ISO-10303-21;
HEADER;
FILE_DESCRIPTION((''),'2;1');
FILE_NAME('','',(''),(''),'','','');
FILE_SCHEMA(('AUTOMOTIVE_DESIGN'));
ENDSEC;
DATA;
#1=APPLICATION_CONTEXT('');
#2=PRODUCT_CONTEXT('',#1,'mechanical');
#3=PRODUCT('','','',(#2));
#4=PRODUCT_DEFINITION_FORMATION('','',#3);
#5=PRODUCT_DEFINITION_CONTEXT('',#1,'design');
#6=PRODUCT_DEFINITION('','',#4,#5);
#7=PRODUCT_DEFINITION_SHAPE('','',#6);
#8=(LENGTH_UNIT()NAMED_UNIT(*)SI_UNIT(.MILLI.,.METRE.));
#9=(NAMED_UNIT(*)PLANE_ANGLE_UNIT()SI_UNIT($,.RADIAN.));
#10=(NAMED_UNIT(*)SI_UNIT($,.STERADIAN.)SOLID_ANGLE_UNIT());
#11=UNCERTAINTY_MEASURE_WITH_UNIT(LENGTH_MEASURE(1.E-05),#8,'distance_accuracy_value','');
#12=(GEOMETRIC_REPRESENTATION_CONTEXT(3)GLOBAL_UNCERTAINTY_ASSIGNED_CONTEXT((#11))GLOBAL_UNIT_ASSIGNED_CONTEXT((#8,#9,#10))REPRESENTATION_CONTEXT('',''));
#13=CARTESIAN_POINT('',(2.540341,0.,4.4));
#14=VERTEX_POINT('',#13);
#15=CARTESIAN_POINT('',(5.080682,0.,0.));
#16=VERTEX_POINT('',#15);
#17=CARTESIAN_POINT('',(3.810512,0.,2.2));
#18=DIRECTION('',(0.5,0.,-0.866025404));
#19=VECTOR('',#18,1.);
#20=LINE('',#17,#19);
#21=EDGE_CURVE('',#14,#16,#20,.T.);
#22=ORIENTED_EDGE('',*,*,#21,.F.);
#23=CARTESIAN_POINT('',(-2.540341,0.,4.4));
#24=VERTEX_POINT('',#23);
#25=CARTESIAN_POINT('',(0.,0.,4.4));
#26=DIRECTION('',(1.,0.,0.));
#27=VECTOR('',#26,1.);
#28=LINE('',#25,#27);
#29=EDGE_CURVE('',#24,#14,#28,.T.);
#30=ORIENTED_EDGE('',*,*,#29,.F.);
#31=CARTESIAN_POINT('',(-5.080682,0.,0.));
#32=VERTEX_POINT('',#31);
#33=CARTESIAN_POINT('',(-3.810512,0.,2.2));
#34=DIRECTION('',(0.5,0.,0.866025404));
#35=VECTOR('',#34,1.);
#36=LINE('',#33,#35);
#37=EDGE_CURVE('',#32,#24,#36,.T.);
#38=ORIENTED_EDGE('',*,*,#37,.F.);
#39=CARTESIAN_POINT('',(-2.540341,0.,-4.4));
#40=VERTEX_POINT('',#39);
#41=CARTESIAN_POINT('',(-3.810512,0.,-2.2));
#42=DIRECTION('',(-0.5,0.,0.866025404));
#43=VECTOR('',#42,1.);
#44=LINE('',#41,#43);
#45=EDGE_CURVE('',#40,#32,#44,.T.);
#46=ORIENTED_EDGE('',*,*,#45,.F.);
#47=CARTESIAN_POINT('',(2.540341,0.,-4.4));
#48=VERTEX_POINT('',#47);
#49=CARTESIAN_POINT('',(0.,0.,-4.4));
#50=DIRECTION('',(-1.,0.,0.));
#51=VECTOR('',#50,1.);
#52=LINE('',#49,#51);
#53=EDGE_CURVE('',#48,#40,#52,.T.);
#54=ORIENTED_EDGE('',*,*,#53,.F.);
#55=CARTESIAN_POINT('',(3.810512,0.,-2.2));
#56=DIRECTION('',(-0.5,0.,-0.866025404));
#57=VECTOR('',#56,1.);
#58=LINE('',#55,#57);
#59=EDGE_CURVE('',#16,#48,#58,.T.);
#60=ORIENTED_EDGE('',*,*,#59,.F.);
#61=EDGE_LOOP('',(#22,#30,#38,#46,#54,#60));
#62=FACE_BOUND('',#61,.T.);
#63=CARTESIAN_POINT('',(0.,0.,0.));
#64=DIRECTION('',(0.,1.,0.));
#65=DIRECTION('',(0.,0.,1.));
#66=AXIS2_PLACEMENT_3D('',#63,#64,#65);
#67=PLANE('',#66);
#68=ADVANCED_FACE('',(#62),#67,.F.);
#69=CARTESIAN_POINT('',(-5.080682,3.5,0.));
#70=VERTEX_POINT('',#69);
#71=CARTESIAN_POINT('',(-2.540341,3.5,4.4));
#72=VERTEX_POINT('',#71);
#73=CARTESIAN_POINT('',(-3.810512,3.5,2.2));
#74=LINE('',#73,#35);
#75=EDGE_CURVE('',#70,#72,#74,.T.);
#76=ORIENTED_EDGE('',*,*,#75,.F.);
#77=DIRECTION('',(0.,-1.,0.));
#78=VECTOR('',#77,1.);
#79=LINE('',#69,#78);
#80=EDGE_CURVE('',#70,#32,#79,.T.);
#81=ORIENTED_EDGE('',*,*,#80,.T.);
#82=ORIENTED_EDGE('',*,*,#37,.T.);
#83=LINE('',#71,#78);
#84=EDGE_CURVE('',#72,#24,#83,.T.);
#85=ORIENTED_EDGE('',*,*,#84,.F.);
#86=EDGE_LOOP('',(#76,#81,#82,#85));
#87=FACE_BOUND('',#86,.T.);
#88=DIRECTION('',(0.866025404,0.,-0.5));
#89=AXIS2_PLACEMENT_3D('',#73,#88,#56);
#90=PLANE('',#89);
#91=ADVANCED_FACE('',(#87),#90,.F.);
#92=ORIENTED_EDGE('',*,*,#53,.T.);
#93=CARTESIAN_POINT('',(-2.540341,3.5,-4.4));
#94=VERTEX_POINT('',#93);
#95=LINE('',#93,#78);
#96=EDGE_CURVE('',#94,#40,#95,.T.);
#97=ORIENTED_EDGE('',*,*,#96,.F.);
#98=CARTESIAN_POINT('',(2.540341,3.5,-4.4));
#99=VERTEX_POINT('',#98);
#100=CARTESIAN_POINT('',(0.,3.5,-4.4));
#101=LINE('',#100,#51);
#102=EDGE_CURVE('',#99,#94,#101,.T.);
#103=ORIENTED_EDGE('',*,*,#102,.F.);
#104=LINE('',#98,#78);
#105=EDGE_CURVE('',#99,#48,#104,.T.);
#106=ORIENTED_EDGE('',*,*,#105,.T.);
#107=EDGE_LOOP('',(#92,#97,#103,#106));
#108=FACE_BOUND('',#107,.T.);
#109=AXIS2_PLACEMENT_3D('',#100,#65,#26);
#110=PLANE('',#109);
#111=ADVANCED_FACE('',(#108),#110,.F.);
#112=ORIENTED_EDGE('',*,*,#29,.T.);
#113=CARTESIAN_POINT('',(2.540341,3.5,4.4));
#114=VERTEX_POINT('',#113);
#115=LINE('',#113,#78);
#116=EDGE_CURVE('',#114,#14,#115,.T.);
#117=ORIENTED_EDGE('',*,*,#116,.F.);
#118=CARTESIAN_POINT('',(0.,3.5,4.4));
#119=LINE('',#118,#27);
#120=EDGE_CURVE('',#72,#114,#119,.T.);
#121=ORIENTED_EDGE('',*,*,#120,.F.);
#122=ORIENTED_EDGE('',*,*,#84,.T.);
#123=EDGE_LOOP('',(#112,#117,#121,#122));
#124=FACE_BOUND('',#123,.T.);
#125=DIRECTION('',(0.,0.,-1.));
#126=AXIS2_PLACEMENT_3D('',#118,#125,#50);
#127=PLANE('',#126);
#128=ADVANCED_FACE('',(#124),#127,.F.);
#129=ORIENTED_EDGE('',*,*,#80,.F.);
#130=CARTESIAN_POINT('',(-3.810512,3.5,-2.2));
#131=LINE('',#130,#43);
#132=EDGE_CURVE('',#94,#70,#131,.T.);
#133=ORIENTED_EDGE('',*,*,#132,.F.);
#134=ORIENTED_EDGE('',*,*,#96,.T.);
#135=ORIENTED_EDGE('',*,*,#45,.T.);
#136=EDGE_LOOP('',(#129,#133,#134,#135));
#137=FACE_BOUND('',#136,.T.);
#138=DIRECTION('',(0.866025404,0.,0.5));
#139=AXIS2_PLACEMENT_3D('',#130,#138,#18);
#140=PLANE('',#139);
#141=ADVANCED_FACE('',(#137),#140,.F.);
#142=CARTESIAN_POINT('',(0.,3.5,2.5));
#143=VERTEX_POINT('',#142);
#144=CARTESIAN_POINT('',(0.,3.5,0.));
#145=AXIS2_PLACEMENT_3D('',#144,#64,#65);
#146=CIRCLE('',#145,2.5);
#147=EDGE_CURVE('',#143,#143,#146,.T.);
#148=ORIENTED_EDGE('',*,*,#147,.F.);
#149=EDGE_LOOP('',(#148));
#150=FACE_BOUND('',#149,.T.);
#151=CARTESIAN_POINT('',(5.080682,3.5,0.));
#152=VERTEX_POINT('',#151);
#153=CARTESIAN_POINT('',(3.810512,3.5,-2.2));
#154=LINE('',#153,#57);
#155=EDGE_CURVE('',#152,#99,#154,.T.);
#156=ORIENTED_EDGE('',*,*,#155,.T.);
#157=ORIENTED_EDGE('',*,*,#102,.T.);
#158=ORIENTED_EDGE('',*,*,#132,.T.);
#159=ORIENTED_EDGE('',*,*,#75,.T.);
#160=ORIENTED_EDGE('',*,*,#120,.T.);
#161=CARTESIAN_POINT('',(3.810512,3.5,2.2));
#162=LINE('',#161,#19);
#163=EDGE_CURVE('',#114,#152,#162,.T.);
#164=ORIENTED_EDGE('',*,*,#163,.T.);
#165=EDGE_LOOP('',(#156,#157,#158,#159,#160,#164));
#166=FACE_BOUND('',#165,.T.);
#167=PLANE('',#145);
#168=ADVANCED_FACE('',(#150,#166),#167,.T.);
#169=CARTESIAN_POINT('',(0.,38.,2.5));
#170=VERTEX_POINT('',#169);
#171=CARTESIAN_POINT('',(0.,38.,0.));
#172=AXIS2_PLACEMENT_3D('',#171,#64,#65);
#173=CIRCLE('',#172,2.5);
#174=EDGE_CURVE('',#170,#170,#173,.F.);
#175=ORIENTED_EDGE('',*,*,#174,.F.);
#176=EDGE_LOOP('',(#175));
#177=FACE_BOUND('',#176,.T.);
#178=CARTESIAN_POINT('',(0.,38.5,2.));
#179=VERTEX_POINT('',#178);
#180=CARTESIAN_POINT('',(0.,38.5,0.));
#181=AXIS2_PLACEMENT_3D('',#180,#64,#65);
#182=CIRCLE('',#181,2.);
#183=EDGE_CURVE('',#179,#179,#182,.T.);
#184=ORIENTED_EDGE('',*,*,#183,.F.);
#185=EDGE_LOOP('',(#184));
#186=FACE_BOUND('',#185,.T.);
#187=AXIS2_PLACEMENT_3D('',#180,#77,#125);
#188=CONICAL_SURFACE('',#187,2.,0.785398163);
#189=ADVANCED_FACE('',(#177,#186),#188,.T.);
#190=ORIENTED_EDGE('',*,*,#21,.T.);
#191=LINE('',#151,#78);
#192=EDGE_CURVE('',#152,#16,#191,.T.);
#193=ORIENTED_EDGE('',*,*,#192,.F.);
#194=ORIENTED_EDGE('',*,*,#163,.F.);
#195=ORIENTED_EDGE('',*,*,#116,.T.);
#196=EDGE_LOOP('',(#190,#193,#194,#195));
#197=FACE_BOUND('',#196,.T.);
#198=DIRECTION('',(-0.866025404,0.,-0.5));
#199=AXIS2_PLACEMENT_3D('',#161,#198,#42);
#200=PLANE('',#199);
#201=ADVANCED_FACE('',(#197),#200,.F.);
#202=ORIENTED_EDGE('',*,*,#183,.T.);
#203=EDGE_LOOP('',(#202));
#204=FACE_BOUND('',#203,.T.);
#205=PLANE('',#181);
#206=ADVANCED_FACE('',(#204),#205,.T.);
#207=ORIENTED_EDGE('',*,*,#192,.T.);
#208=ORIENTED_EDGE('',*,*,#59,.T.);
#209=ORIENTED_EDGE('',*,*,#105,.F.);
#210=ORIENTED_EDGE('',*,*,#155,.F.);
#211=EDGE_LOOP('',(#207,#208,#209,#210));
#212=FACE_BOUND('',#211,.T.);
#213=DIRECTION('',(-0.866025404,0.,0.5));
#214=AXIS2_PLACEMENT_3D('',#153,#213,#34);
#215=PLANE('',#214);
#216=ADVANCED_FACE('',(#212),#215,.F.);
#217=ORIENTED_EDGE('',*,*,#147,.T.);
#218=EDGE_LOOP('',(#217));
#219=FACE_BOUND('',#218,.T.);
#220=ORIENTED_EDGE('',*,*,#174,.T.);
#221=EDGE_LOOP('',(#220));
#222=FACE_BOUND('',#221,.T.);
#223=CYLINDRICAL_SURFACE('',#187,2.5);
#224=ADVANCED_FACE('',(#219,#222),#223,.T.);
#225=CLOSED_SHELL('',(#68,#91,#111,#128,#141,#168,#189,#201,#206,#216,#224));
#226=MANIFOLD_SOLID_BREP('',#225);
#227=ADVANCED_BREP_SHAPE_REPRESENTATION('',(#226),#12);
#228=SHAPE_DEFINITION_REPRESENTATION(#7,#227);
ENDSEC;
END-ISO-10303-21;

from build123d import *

# Parameters (mm, degrees)
SKETCH1_R           = 2.5
BOSS_EXTRUDE1_DEPTH = 3.5
BOSS_EXTRUDE2_START = 3.5
SKETCH1_3_R         = 2.5
BOSS_EXTRUDE2_DEPTH = 35
CHAMFER1_SIZE       = 0.5


with BuildPart() as part:
    # Sketch1 → Boss-Extrude1 (new body)
    with BuildSketch(Plane(origin=(0, 0, 0), x_dir=(1, 0, 0), z_dir=(0, 1, 0))):
        Polygon((-5.080682369, 0), (-2.540341184, -4.4), (2.540341184, -4.4), (5.080682369, 0), (2.540341184, 4.4), (-2.540341184, 4.4), align=None)
        Circle(SKETCH1_R, mode=Mode.SUBTRACT)
        Circle(SKETCH1_R)
    extrude(amount=BOSS_EXTRUDE1_DEPTH)

    # Sketch1<3> → Boss-Extrude2 (add)
    with BuildSketch(Plane(origin=(0, 0, 0), x_dir=(1, 0, 0), z_dir=(0, 1, 0)).offset(BOSS_EXTRUDE2_START)):
        with Locations(Location((0, 0, 0), (0, 0, 270))):
            Circle(SKETCH1_3_R)
    extrude(amount=BOSS_EXTRUDE2_DEPTH)

    # Chamfer1
    chamfer1_edges = [part.edges().sort_by_distance(p)[0] for p in [
        (0, 38.5, -2.5),
    ]]
    chamfer(chamfer1_edges, length=CHAMFER1_SIZE)


solid = part.part
